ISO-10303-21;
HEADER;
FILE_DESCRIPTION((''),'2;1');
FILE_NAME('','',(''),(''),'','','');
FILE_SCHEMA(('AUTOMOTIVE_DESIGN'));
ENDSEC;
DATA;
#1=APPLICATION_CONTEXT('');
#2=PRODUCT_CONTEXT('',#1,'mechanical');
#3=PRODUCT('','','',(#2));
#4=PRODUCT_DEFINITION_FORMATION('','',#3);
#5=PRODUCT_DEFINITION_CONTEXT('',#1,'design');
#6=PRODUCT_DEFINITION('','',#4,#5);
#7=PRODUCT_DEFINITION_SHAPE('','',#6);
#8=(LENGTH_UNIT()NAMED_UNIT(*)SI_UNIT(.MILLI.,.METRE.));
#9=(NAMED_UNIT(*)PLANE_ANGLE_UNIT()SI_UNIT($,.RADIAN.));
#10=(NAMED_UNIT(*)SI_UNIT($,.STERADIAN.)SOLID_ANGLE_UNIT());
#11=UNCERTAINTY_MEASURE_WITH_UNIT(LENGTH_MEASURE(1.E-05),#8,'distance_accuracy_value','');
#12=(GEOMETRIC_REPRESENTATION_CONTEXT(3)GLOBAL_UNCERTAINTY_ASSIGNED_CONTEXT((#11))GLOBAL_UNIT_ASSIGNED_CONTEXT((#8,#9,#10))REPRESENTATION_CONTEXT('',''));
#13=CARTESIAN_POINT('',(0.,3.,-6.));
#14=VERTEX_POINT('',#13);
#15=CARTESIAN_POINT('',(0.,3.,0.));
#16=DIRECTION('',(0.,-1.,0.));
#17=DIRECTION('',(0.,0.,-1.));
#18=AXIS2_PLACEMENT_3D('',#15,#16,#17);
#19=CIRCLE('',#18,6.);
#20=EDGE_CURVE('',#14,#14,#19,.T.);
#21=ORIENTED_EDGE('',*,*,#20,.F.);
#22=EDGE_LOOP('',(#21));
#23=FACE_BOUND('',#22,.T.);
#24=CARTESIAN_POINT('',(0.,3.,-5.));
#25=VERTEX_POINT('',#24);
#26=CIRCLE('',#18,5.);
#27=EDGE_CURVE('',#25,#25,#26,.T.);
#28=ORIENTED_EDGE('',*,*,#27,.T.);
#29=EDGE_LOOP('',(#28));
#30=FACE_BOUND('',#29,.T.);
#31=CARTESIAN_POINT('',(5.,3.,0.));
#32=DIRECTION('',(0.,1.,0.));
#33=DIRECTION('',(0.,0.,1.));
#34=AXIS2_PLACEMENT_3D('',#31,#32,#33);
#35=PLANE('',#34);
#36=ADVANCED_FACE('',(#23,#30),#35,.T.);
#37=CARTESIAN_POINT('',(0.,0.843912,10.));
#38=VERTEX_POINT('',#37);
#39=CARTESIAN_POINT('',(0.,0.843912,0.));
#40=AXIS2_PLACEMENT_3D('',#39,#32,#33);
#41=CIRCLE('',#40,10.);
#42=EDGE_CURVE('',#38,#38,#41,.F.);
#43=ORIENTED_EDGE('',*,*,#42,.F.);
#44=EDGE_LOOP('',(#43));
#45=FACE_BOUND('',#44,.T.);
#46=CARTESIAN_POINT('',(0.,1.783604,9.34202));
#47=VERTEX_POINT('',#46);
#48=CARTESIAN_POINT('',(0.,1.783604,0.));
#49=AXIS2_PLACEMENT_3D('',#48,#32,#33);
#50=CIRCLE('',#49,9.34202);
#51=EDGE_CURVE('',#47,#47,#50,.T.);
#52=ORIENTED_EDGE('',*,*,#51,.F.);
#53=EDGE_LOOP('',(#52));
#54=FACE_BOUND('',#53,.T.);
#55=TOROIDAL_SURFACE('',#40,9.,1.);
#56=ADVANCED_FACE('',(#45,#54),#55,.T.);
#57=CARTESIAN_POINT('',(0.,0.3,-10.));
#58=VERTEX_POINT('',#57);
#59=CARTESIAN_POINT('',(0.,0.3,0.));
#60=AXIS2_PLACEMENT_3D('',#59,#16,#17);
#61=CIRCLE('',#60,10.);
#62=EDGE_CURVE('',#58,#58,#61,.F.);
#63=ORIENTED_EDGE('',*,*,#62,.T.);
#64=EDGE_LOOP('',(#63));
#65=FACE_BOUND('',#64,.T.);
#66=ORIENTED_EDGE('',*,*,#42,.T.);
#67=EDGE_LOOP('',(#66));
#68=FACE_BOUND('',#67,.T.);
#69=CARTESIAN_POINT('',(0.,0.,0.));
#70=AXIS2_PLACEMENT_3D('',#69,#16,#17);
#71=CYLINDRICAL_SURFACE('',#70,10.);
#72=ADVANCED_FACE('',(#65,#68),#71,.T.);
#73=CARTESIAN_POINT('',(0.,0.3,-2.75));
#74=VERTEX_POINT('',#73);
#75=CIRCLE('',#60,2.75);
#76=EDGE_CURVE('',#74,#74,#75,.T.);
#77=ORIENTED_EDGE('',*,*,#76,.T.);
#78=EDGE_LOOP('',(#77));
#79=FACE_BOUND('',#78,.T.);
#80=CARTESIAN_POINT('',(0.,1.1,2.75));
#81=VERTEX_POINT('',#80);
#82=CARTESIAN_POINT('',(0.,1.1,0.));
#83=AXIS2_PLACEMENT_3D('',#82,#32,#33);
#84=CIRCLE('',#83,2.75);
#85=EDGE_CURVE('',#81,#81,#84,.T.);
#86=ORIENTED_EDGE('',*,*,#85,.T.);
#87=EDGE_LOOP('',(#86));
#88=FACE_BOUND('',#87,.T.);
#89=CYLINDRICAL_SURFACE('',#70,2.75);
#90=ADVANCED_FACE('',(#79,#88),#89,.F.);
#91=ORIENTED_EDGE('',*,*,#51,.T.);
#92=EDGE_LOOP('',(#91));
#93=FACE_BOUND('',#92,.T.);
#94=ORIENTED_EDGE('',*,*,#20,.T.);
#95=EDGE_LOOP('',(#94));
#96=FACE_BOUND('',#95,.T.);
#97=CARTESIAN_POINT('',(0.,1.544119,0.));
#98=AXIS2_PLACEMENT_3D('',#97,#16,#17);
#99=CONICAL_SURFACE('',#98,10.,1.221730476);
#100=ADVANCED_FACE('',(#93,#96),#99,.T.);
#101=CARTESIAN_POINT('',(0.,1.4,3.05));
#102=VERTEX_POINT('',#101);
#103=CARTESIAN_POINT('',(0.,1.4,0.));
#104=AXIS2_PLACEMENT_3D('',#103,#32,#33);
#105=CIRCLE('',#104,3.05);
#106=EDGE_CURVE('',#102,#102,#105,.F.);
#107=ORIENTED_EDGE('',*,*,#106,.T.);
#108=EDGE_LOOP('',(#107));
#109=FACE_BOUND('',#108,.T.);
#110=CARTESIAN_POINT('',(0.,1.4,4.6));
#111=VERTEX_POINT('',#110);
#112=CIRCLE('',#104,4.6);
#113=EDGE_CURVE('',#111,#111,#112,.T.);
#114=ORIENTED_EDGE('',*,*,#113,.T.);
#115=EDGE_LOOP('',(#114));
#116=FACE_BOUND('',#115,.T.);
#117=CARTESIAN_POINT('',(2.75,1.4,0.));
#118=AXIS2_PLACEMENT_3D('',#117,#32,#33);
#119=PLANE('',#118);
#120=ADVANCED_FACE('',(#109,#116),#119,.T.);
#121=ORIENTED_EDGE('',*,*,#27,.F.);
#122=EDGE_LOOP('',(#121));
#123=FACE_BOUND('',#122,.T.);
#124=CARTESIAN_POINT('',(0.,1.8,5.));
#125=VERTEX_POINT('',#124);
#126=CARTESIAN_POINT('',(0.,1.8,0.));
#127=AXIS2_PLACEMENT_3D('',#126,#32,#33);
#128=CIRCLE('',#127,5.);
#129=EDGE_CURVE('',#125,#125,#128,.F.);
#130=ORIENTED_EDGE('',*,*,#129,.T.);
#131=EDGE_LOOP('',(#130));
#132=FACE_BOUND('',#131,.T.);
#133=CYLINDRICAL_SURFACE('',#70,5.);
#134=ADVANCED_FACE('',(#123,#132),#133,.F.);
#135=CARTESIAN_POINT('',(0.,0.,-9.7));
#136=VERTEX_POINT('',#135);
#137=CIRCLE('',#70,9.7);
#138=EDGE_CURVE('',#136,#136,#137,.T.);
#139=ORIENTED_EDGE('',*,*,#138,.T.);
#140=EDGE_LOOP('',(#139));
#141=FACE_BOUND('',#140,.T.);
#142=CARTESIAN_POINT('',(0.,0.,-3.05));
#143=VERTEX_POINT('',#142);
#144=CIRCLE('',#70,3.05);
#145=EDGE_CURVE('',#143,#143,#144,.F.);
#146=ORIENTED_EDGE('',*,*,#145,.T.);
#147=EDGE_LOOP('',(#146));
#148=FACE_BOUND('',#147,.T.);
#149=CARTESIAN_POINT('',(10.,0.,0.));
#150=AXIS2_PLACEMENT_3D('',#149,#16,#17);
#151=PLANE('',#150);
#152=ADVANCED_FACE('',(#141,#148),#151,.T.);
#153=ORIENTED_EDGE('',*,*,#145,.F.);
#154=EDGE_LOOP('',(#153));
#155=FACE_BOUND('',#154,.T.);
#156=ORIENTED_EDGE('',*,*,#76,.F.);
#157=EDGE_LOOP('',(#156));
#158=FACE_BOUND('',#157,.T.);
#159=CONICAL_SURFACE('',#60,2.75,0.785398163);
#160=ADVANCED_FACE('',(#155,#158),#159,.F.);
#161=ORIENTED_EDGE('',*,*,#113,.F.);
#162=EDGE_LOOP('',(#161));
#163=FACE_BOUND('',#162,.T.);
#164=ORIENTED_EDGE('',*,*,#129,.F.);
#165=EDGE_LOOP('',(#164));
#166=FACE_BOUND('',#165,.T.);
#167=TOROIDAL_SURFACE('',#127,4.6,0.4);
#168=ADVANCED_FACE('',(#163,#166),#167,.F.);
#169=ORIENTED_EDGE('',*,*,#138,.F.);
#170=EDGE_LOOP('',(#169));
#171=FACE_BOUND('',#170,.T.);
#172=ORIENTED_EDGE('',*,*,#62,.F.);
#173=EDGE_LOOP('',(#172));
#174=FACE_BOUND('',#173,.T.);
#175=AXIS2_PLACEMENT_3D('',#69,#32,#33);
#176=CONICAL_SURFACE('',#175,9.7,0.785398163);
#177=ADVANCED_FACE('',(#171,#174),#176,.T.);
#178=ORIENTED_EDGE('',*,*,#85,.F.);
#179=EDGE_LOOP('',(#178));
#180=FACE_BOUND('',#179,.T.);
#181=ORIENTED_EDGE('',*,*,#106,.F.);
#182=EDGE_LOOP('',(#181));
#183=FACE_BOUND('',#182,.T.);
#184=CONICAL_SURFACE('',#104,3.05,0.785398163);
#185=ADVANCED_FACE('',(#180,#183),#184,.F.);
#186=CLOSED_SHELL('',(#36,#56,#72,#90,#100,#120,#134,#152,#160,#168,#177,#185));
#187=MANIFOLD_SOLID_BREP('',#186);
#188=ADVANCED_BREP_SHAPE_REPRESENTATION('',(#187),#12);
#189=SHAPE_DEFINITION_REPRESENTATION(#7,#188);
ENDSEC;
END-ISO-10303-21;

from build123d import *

# Parameters (mm, degrees)
FILLET2_R     = 1
FILLET3_R     = 0.4
CHAMFER1_SIZE = 0.3


with BuildPart() as part:
    # Sketch1 → Revolve1 (revolve)
    with BuildSketch(Plane.XY, mode=Mode.PRIVATE) as revolve1_sk:
        Polygon((2.75, 0), (2.75, 1.4), (5, 1.4), (5, 3), (6, 3), (10, 1.544119063), (10, 0), align=None)
    revolve(revolve1_sk.sketch.rotate(Axis((0, 0, 0), (0, 1, 0)), 90), axis=Axis((0, 0, 0), (0, 1, 0)))

    # Fillet2
    fillet2_edges = [part.edges().sort_by_distance(p)[0] for p in [
        (0, 1.544119063, 10),
    ]]
    fillet(fillet2_edges, radius=FILLET2_R)

    # Fillet3
    fillet3_edges = [part.edges().sort_by_distance(p)[0] for p in [
        (0, 1.4, 5),
    ]]
    fillet(fillet3_edges, radius=FILLET3_R)

    # Chamfer1
    chamfer1_edges = [part.edges().sort_by_distance(p)[0] for p in [
        (0, 0, 10),
        (0, 1.4, 2.75),
        (0, 0, 2.75),
    ]]
    chamfer(chamfer1_edges, length=CHAMFER1_SIZE)


solid = part.part
